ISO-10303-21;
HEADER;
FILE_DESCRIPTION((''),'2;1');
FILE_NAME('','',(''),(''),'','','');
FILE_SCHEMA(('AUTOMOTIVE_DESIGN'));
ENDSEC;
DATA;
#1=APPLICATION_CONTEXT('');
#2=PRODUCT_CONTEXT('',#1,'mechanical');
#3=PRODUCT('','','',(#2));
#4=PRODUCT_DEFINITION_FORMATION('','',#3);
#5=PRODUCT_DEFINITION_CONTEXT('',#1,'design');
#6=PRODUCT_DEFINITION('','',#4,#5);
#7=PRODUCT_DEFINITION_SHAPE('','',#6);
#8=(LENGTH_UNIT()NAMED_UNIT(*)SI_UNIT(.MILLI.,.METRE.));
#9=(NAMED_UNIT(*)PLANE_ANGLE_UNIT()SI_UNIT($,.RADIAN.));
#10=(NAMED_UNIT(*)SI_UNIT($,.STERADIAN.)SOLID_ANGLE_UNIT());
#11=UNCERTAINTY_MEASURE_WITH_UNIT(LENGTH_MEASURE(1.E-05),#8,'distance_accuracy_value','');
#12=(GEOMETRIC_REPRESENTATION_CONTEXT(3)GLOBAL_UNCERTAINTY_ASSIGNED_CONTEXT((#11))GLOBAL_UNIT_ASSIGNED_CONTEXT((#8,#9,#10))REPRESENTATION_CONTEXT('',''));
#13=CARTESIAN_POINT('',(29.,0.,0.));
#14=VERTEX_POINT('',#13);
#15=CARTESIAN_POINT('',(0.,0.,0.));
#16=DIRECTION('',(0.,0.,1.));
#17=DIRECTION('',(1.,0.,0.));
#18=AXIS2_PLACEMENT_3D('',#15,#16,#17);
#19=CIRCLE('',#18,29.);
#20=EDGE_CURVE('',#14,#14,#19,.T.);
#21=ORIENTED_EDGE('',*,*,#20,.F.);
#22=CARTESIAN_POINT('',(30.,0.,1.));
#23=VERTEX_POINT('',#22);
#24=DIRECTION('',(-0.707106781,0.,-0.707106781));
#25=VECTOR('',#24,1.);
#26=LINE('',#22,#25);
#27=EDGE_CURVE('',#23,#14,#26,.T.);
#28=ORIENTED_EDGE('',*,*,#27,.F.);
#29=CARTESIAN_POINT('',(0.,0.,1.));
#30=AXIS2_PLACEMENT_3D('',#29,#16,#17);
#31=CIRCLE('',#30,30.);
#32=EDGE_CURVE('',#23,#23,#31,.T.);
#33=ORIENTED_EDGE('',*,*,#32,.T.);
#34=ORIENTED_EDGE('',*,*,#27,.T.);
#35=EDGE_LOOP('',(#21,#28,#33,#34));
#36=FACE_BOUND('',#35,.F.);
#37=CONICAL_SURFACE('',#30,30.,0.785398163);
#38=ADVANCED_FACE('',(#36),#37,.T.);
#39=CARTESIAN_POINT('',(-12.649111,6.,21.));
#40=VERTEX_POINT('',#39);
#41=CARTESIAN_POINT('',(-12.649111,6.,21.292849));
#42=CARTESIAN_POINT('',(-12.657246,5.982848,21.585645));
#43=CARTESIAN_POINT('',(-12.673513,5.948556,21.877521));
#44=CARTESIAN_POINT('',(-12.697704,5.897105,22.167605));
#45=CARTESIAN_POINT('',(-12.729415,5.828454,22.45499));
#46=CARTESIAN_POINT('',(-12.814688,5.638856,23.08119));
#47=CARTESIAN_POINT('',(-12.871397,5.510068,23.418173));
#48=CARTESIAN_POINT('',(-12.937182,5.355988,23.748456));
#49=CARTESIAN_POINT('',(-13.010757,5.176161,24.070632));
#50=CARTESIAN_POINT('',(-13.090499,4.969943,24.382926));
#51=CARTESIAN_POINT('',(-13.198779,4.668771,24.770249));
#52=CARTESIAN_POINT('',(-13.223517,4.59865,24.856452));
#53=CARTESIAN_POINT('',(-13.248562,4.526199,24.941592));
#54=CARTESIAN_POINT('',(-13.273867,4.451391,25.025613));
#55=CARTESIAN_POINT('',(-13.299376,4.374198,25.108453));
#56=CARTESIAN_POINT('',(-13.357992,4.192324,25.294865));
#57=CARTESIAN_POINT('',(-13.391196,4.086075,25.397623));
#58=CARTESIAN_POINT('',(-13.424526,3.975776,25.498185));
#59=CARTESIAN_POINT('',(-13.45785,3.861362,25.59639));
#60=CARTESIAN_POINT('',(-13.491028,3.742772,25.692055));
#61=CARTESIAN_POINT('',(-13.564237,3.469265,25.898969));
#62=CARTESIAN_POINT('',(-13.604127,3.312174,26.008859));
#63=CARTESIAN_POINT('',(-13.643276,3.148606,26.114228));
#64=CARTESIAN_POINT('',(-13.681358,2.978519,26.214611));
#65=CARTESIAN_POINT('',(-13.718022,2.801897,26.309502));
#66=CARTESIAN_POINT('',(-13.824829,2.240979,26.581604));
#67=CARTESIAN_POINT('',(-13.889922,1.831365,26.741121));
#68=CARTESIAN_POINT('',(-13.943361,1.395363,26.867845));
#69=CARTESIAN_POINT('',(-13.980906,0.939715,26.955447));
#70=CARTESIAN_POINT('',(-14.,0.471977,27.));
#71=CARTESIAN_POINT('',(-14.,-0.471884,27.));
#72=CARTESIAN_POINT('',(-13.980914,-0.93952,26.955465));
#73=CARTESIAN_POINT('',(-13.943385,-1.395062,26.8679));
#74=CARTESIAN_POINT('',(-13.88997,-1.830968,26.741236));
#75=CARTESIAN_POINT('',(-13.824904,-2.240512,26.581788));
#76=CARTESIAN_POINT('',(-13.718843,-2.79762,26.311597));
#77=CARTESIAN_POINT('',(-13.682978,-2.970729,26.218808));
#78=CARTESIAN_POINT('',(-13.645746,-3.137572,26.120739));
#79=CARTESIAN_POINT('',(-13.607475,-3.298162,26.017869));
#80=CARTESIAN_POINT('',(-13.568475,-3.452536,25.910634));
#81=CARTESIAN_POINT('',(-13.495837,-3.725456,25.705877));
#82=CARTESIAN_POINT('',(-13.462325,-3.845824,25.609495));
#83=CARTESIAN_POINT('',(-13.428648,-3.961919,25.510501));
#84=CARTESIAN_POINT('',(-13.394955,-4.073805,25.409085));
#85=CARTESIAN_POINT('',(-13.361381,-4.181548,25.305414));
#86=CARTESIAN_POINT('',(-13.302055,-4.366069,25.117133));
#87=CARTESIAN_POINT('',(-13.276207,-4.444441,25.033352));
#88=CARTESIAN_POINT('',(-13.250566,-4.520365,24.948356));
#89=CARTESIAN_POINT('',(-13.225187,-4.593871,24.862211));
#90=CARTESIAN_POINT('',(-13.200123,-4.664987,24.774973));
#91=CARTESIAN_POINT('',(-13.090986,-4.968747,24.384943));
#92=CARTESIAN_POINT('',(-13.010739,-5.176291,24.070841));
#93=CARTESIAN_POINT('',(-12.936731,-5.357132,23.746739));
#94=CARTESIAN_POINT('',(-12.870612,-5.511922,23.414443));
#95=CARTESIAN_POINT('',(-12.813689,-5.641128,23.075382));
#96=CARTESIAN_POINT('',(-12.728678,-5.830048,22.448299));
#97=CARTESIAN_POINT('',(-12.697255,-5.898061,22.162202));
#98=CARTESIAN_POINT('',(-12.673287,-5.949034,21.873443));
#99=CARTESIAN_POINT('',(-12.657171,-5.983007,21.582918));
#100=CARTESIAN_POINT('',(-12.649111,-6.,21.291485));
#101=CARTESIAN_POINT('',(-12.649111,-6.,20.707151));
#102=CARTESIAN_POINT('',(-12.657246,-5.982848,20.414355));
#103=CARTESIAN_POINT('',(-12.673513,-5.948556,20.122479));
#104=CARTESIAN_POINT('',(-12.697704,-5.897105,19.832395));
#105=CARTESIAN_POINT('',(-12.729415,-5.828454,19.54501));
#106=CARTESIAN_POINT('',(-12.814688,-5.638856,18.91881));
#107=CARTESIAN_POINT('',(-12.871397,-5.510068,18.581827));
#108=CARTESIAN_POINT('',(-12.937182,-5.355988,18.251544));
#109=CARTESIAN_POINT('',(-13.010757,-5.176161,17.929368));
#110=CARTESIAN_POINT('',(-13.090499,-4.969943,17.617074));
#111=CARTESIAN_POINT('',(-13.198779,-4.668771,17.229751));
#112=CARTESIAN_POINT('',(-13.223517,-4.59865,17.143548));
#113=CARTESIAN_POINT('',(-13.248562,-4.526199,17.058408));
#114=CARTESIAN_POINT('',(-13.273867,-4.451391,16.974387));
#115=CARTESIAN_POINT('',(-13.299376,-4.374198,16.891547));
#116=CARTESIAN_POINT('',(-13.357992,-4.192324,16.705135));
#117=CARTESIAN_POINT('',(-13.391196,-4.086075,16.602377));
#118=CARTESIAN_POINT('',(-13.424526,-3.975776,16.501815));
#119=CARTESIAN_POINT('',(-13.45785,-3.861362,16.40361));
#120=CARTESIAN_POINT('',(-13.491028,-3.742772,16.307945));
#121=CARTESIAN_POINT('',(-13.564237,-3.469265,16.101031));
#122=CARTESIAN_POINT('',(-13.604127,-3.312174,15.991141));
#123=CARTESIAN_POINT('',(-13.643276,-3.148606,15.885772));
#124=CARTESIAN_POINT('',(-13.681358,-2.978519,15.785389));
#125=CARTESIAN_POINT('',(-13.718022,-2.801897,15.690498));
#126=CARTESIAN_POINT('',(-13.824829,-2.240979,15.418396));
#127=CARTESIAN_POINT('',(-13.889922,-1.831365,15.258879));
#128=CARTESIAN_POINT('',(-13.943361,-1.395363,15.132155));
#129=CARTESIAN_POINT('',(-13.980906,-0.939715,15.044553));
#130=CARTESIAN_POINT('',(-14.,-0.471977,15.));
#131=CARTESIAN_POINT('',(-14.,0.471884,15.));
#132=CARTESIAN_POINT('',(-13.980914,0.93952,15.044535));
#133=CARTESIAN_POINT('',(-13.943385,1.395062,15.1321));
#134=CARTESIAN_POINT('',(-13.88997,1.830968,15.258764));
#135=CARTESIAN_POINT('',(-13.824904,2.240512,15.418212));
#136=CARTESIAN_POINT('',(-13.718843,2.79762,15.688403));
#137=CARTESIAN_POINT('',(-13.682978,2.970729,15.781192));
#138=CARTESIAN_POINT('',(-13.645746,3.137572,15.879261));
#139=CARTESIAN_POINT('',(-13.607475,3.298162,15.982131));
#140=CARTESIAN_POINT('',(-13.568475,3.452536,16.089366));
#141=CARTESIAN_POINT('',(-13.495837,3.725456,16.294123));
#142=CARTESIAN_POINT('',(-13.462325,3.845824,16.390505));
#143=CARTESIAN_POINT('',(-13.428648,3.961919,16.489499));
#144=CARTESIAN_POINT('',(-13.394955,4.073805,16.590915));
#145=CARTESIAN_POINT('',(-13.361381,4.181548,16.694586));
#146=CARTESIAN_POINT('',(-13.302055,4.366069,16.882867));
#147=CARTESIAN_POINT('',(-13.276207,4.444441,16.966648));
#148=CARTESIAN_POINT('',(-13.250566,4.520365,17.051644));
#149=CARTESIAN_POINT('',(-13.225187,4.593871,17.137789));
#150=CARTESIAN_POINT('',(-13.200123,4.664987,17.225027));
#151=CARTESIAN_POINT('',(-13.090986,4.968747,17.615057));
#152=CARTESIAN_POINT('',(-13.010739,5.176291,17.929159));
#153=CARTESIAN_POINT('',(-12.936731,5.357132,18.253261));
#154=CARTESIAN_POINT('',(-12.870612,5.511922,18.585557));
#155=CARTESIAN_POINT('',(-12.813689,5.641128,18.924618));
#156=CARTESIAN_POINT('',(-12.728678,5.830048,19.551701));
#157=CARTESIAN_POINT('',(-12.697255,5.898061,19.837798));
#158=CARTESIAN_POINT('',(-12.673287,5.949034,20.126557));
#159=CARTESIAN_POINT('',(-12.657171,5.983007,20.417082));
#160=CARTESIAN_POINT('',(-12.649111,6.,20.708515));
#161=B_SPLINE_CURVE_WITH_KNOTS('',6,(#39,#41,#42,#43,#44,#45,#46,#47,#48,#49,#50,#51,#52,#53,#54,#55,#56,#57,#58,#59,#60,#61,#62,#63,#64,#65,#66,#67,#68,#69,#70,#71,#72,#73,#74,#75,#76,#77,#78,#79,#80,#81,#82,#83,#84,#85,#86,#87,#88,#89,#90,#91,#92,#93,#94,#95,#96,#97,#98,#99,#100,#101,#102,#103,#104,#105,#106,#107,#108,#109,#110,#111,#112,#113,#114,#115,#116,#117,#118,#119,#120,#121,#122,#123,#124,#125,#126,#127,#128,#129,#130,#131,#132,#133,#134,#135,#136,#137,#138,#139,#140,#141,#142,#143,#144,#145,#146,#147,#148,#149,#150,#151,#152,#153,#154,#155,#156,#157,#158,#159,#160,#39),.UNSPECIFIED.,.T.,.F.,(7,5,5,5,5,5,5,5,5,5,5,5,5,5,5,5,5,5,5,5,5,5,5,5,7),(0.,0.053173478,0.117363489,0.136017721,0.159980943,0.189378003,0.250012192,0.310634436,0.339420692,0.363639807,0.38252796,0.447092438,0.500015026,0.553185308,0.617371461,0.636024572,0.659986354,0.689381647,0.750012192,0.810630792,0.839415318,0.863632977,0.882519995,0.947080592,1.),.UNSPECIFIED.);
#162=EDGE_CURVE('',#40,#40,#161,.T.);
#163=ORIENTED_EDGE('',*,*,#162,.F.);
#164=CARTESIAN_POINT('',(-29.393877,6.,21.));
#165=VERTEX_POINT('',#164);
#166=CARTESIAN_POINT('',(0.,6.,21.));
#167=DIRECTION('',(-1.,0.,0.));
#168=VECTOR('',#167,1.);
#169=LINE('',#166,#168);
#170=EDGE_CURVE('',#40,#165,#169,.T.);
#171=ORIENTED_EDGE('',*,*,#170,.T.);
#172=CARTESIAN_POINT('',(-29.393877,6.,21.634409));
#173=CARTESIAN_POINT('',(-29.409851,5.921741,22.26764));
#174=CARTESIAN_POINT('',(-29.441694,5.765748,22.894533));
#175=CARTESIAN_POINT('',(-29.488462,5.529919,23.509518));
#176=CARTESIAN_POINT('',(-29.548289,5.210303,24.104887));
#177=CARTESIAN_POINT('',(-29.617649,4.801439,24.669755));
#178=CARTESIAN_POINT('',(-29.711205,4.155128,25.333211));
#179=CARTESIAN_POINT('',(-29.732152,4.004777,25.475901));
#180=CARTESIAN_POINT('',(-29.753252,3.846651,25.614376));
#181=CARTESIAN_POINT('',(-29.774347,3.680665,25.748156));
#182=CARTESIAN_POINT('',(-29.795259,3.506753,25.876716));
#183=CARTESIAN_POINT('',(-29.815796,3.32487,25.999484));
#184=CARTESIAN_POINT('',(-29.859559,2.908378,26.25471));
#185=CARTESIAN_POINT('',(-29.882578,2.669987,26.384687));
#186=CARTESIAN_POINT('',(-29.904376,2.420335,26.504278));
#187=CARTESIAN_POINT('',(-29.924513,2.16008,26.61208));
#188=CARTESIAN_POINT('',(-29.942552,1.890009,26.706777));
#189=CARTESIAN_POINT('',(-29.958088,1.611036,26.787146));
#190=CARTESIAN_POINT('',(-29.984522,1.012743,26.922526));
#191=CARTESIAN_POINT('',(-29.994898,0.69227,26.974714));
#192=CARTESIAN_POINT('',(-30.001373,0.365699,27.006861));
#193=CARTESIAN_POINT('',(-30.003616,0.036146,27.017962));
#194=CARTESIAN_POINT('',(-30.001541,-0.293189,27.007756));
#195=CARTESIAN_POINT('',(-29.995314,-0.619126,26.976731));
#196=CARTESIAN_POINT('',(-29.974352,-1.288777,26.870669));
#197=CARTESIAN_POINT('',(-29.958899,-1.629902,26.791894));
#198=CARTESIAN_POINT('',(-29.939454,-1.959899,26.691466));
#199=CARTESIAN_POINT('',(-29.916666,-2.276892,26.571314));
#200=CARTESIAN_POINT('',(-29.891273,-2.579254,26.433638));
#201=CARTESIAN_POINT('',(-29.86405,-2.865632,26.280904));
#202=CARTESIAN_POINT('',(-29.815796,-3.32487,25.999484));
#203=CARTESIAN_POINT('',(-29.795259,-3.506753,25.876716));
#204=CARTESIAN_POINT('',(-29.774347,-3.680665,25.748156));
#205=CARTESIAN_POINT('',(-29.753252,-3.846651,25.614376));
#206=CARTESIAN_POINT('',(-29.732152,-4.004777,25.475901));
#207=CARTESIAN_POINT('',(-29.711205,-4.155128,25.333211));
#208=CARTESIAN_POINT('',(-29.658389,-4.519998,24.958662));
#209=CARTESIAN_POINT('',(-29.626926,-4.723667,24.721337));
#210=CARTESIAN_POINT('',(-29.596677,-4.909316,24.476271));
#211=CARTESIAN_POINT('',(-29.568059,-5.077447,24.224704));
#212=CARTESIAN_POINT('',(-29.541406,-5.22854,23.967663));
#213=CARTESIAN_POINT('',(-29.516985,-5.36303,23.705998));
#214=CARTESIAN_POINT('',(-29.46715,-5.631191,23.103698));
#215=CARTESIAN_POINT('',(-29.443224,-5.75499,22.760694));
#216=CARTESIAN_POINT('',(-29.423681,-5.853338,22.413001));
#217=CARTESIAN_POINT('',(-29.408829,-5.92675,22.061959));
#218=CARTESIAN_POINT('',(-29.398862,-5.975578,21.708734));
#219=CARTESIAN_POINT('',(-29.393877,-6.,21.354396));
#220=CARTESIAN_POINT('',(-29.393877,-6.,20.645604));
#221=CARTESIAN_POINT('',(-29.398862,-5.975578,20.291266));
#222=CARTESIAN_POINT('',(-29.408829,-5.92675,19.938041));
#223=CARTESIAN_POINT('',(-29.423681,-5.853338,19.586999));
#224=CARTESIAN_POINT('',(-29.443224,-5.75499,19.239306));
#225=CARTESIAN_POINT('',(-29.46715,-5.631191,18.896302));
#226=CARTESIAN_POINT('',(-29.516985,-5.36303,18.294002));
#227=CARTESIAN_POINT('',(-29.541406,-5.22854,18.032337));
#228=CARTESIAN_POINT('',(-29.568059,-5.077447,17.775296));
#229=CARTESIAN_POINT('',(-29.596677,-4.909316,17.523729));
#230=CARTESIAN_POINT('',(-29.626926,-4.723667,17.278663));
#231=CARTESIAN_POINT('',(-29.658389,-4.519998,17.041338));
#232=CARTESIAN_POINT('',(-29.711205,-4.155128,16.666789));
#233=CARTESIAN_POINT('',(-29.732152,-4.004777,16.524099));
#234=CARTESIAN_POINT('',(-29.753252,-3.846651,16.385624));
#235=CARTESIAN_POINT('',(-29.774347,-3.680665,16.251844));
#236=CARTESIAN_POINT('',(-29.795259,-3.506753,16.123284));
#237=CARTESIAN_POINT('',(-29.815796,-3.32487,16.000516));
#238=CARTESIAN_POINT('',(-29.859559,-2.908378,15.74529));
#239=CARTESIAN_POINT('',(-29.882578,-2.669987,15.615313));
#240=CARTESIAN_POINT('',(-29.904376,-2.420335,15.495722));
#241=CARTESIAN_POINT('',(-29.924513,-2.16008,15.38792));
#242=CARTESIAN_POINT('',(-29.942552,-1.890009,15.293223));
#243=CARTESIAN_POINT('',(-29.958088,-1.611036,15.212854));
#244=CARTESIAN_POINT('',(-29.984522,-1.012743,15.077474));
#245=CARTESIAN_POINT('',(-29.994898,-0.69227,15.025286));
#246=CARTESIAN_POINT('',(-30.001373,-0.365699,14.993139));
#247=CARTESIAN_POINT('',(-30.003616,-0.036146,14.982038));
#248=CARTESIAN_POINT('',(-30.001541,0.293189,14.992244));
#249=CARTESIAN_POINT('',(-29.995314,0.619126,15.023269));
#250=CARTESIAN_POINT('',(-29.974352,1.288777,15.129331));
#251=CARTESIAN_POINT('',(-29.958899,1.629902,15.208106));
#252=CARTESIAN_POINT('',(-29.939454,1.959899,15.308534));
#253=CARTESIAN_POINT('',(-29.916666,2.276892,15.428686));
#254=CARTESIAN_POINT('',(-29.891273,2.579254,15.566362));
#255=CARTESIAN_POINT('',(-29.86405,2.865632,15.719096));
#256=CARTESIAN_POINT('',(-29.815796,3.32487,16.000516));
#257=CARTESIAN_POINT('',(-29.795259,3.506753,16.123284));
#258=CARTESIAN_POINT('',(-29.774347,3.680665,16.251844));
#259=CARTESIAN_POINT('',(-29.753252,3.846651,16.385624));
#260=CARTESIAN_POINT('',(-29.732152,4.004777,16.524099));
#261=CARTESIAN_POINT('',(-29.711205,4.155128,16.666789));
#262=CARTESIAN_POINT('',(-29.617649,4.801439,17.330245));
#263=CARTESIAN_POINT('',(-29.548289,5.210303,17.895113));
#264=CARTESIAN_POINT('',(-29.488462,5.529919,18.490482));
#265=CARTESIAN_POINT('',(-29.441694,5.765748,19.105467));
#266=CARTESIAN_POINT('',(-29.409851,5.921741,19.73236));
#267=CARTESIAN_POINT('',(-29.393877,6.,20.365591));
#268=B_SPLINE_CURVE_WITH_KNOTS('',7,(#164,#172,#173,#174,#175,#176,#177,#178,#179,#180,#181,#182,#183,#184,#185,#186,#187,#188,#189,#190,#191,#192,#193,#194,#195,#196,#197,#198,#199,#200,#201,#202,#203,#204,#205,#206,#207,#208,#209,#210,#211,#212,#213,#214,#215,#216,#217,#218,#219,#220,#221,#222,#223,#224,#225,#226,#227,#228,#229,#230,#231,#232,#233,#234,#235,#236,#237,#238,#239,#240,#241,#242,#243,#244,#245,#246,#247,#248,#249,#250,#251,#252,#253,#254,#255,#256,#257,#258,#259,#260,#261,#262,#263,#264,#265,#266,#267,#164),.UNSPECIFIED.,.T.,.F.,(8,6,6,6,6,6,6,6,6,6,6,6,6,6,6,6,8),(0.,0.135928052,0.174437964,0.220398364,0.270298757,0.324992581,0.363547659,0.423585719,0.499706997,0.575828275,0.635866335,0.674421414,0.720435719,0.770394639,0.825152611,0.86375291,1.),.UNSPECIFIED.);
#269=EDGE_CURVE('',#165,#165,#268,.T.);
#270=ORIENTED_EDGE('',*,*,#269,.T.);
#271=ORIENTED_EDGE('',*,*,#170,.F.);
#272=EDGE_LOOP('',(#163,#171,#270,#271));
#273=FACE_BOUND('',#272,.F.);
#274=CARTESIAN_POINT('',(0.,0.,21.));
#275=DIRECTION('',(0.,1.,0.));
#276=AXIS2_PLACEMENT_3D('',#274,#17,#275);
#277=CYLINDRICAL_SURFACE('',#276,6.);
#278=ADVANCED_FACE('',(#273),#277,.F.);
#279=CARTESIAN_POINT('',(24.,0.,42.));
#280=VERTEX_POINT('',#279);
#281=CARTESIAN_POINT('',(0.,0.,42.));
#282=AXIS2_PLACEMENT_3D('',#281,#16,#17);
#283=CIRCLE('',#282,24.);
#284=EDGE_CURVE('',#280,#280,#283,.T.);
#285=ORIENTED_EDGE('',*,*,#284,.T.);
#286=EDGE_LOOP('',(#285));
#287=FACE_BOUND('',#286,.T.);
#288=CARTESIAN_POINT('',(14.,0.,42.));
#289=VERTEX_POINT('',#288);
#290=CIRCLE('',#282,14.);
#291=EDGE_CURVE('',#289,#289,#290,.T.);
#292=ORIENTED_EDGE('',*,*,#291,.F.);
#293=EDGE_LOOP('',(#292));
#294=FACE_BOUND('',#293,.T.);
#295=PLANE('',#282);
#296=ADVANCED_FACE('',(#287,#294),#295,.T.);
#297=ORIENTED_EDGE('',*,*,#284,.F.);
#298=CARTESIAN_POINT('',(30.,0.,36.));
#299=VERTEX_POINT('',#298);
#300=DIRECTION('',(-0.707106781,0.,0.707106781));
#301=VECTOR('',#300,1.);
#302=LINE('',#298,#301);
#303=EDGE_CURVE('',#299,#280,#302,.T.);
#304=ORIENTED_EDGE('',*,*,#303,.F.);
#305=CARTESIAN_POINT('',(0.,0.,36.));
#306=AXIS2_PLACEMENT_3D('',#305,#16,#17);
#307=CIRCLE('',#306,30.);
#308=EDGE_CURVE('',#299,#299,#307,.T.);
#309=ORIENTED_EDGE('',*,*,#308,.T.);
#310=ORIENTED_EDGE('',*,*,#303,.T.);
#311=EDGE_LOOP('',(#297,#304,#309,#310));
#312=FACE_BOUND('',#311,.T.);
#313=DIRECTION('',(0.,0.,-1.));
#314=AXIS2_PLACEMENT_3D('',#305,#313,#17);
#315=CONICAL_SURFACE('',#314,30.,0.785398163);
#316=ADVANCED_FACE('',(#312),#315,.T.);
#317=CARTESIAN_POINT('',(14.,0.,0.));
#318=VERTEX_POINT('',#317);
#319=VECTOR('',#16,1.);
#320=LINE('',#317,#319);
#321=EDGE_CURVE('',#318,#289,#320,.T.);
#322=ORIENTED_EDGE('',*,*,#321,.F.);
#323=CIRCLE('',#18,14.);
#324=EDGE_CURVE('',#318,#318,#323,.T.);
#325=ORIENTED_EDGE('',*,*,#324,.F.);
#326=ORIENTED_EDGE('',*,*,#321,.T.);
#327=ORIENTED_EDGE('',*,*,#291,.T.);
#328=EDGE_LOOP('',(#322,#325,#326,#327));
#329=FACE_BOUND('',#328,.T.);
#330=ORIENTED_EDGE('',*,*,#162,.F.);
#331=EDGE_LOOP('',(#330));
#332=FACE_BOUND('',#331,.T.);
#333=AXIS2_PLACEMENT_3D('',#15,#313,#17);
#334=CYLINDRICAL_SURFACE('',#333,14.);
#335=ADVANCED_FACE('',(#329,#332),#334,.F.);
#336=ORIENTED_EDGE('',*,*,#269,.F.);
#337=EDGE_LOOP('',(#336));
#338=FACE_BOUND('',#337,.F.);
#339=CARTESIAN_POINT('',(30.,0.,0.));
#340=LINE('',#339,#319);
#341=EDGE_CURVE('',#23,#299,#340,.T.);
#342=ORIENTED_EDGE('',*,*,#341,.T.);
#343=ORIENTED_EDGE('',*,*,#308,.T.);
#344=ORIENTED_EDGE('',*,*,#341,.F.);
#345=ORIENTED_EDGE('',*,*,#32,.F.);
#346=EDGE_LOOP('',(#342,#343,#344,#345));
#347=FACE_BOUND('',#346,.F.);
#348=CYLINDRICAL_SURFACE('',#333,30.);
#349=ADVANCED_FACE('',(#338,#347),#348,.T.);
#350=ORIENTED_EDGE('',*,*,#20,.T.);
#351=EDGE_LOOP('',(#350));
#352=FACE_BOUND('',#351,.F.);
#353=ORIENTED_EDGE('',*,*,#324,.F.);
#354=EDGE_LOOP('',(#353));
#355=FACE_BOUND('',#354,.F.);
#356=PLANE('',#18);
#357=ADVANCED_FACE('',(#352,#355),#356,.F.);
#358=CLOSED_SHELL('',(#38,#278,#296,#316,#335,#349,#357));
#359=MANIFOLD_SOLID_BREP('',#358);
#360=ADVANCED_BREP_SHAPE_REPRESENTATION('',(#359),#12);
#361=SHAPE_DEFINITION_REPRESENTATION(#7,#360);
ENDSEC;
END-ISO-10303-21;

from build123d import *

# Parameters (mm, degrees)
F0_R     = 30
F0_R_2   = 14
F1_DEPTH = 42
F3_D     = 12
F3_DEPTH = 30
F3_TIP   = 3.6051637142
F4_SIZE  = 6
F5_SIZE  = 1


with BuildPart() as f1:
    # F0 (on Top) → F1 (new body)
    with BuildSketch(Plane.XY):
        Circle(F0_R)
        Circle(F0_R_2, mode=Mode.SUBTRACT)
    extrude(amount=F1_DEPTH)

    # F3 (one way)
    with BuildSketch(Plane.YZ):
        with Locations((0, 21)):
            Circle(F3_D / 2)
    extrude(amount=-F3_DEPTH, mode=Mode.SUBTRACT)
    with Locations(Plane.YZ):
        with Locations((0, 21)):
            with Locations((0, 0, -(F3_DEPTH + F3_TIP / 2))):  # 118° drill point
                Cone(0, F3_D / 2, F3_TIP, mode=Mode.SUBTRACT)

    # F4
    f4_edges = [f1.edges().sort_by_distance(p)[0] for p in [
        (-30, 0, 42),
    ]]
    chamfer(f4_edges, length=F4_SIZE)

    # F5
    f5_edges = [f1.edges().sort_by_distance(p)[0] for p in [
        (-30, 0, 0),
    ]]
    chamfer(f5_edges, length=F5_SIZE)


solid = f1.part
